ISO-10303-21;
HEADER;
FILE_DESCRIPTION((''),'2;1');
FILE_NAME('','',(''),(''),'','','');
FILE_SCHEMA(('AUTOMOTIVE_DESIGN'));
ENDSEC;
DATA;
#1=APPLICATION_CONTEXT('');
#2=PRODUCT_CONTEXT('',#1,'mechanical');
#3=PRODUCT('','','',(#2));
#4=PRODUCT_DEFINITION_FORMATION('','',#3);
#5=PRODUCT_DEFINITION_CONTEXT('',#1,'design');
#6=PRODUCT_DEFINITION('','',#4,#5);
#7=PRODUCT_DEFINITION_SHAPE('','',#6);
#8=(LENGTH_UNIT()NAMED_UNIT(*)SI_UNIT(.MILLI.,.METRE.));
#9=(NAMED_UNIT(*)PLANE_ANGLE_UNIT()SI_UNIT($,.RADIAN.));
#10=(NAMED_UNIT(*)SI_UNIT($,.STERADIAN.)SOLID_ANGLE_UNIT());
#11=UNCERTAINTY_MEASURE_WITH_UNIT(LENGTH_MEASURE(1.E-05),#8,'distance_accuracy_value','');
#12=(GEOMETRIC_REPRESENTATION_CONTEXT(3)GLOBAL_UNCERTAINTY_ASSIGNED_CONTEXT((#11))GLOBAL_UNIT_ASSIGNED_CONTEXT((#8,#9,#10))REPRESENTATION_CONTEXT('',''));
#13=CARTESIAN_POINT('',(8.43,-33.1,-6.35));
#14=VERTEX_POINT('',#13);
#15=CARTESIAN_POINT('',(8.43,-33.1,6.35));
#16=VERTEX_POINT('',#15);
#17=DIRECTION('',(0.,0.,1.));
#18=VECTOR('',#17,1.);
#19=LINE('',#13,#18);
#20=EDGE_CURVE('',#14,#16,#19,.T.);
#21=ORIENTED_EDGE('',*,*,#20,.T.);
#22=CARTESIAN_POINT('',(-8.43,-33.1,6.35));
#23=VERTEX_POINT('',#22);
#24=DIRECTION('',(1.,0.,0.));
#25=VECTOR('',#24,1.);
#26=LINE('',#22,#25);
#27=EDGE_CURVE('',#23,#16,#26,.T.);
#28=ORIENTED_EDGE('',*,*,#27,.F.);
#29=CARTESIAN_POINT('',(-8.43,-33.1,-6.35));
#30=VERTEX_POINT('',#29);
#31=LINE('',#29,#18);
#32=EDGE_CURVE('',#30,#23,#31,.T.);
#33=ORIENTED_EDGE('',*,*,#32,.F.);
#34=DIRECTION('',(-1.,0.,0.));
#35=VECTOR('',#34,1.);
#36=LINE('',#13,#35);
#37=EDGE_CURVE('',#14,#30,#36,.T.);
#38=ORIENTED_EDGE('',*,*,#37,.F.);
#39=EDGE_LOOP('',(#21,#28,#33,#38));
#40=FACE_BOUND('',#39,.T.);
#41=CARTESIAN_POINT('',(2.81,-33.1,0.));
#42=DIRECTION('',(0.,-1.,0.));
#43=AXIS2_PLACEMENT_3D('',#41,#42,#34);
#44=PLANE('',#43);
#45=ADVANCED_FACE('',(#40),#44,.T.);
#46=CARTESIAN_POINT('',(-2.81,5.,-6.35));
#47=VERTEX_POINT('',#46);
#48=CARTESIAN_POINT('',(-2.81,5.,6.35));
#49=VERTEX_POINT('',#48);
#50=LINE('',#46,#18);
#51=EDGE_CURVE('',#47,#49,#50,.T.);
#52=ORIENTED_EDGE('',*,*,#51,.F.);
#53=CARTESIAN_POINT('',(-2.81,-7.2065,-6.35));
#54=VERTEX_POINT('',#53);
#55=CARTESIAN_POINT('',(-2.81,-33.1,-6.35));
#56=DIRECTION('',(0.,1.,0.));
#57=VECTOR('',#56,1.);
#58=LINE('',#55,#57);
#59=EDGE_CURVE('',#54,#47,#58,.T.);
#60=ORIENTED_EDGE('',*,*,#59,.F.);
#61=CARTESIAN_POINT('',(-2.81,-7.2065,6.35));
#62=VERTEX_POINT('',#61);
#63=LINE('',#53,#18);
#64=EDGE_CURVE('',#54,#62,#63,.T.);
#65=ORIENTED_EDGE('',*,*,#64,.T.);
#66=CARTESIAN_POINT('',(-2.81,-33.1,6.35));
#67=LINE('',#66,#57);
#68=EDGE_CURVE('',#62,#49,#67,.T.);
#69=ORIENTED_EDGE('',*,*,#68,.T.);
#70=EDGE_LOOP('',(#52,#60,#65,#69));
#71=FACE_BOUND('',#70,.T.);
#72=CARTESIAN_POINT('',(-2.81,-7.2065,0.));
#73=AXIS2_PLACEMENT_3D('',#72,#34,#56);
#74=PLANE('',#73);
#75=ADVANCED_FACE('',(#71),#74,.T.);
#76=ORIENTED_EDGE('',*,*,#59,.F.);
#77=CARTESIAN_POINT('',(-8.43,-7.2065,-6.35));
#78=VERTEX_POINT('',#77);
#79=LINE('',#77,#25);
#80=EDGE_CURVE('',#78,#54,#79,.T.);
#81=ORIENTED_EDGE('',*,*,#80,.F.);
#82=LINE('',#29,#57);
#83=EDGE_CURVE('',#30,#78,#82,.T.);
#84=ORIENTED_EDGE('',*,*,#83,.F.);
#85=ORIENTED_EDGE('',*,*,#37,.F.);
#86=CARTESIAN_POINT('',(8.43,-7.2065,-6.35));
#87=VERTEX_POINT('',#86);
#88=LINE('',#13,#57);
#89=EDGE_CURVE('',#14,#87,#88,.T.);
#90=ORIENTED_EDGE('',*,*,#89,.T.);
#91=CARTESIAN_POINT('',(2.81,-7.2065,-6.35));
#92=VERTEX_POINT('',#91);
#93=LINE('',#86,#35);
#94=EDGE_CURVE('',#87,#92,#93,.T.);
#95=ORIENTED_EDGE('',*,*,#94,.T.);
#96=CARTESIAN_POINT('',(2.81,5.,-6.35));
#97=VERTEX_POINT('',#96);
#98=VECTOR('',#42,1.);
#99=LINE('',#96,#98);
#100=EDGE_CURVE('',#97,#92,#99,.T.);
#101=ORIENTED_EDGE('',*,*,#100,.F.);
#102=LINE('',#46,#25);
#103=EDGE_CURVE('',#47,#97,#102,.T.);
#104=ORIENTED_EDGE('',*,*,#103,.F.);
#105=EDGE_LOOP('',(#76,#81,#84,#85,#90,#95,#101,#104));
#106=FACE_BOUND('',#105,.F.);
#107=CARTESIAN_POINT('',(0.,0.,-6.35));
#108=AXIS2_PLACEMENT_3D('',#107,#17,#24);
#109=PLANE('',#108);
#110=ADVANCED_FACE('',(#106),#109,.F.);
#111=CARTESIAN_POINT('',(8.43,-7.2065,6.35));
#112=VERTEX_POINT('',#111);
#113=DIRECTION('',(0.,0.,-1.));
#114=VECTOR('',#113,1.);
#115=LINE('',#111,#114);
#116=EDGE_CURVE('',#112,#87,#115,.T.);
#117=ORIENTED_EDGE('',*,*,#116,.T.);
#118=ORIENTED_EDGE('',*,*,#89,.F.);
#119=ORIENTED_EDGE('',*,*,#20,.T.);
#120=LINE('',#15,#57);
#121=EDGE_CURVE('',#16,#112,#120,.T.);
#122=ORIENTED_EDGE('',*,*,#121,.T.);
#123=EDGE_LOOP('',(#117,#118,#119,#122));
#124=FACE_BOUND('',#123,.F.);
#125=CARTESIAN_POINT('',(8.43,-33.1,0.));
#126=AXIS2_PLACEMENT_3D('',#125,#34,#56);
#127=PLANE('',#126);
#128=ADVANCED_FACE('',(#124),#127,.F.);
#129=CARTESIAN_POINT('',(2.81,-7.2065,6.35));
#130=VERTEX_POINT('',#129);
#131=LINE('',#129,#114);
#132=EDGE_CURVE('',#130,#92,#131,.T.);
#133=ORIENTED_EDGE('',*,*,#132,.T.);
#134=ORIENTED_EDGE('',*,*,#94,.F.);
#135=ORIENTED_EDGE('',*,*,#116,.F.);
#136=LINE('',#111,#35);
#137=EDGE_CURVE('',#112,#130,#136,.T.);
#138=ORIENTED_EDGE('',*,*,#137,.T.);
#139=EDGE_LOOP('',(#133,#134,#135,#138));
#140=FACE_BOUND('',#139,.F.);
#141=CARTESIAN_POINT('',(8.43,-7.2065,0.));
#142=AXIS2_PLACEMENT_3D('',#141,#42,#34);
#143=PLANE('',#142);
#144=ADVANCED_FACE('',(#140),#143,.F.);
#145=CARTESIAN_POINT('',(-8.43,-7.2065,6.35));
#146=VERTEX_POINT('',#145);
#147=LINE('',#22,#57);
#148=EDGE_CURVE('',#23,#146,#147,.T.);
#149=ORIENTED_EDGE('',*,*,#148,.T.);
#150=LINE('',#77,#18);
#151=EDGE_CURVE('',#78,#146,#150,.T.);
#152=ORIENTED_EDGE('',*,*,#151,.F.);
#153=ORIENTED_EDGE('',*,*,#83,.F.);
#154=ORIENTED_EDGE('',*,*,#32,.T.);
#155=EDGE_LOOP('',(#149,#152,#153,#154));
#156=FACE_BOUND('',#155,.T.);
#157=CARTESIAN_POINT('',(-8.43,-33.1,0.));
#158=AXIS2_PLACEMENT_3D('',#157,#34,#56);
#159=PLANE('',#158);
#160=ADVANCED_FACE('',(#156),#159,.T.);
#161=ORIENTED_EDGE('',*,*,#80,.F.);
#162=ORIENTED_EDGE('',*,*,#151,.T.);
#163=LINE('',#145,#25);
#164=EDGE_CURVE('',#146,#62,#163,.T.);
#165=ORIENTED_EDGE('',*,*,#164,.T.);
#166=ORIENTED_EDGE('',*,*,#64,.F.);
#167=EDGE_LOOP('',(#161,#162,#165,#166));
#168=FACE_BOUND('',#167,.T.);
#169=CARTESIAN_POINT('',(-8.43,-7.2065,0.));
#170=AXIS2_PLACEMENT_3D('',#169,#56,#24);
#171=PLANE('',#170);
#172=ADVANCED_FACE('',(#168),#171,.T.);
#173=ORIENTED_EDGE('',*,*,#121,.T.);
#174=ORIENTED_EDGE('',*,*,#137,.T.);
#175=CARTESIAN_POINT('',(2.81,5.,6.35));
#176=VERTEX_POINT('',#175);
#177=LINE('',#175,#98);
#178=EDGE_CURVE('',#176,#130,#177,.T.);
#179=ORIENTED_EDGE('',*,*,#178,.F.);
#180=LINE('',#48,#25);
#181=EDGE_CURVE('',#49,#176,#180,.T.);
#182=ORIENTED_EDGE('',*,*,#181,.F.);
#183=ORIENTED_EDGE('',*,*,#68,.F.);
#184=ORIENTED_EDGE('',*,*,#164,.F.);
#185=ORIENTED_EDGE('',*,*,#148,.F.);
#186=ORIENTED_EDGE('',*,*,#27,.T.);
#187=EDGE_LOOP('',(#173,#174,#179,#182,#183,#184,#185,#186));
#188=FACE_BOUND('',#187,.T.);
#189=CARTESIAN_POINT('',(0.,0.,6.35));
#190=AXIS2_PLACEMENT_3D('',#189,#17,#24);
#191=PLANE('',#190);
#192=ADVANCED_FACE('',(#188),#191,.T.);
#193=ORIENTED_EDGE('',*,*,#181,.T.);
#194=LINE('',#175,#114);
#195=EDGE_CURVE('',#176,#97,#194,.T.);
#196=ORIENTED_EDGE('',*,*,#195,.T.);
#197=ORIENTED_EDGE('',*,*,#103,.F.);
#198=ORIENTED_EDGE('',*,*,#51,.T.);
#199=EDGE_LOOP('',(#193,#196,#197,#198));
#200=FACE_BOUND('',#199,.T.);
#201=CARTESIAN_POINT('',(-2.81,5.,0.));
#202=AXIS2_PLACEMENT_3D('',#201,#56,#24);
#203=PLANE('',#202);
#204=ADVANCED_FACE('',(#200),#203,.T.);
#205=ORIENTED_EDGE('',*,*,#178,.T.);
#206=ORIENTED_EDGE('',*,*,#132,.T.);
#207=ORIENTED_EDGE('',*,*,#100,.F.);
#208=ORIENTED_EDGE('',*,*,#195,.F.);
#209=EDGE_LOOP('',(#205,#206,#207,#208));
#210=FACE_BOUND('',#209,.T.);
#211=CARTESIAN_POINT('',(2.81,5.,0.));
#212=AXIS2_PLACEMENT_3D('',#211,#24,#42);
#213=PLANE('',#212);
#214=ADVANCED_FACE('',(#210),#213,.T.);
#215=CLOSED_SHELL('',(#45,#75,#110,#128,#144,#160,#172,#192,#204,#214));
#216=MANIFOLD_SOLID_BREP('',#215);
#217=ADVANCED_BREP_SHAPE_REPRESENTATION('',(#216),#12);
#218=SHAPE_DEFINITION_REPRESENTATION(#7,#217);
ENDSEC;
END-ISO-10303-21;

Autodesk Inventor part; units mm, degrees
ref_plane "YZ Plane" through (0, 0, 0) normal (1, 0, 0) x (0, 1, 0)
ref_plane "XZ Plane" through (0, 0, 0) normal (0, 1, 0) x (-1, 0, 0)
sketch "Sketch1" plane through (0, 0, 0) normal (0, 0, 1) x (1, 0, 0)
  line L0 (-2.81, 5) -> (2.81, 5)
  line L1 (2.81, 5) -> (2.81, -33.1)
  line L2 (2.81, -33.1) -> (-2.81, -33.1)
  line L3 (-2.81, -33.1) -> (-2.81, 5)
  line L4 (-2.81, -33.1) -> (-8.43, -33.1)
  line L5 (-8.43, -33.1) -> (-8.43, -7.2065)
  line L6 (-8.43, -7.2065) -> (-2.81, -7.2065)
  line L7 (-2.81, -7.2065) -> (-2.81, -33.1)
  line L8 (-13.3844, -4.6707) -> (3.9886, -4.5258) construction
  line L9 (4.1365, -22.2635) -> (-13.2364, -22.4084) construction
  line L10 (-18.4107, -1.5425) -> (-18.3842, -4.7124) construction
  line L11 (42.6603, -9.7914) -> (42.6338, -6.6215) projected
  line L12 (0, -40.72) -> (0, 12.62) construction
  line L13 (2.81, -33.1) -> (8.43, -33.1)
  line L14 (8.43, -33.1) -> (8.43, -7.2065)
  line L15 (8.43, -7.2065) -> (2.81, -7.2065)
  line L16 (2.81, -7.2065) -> (2.81, -33.1)
  point P0 (0, 0)
  point P1 (42.647, -8.2065)
  dimension "d0" = 1
  dimension "d1" = 1
  dimension "d2" = 1
  dimension "d3" = 38.1
  dimension "d4" = 1
ref_plane "Work Plane1" through (6.228, -54, -6.35) normal (0, 0, -1) x (0, 1, 0)
extrude "Extrusion1" add sketch "Sketch1" along normal mid plane 12.7
properties part number "ForearmActuatorConnectorBoundingBox"
